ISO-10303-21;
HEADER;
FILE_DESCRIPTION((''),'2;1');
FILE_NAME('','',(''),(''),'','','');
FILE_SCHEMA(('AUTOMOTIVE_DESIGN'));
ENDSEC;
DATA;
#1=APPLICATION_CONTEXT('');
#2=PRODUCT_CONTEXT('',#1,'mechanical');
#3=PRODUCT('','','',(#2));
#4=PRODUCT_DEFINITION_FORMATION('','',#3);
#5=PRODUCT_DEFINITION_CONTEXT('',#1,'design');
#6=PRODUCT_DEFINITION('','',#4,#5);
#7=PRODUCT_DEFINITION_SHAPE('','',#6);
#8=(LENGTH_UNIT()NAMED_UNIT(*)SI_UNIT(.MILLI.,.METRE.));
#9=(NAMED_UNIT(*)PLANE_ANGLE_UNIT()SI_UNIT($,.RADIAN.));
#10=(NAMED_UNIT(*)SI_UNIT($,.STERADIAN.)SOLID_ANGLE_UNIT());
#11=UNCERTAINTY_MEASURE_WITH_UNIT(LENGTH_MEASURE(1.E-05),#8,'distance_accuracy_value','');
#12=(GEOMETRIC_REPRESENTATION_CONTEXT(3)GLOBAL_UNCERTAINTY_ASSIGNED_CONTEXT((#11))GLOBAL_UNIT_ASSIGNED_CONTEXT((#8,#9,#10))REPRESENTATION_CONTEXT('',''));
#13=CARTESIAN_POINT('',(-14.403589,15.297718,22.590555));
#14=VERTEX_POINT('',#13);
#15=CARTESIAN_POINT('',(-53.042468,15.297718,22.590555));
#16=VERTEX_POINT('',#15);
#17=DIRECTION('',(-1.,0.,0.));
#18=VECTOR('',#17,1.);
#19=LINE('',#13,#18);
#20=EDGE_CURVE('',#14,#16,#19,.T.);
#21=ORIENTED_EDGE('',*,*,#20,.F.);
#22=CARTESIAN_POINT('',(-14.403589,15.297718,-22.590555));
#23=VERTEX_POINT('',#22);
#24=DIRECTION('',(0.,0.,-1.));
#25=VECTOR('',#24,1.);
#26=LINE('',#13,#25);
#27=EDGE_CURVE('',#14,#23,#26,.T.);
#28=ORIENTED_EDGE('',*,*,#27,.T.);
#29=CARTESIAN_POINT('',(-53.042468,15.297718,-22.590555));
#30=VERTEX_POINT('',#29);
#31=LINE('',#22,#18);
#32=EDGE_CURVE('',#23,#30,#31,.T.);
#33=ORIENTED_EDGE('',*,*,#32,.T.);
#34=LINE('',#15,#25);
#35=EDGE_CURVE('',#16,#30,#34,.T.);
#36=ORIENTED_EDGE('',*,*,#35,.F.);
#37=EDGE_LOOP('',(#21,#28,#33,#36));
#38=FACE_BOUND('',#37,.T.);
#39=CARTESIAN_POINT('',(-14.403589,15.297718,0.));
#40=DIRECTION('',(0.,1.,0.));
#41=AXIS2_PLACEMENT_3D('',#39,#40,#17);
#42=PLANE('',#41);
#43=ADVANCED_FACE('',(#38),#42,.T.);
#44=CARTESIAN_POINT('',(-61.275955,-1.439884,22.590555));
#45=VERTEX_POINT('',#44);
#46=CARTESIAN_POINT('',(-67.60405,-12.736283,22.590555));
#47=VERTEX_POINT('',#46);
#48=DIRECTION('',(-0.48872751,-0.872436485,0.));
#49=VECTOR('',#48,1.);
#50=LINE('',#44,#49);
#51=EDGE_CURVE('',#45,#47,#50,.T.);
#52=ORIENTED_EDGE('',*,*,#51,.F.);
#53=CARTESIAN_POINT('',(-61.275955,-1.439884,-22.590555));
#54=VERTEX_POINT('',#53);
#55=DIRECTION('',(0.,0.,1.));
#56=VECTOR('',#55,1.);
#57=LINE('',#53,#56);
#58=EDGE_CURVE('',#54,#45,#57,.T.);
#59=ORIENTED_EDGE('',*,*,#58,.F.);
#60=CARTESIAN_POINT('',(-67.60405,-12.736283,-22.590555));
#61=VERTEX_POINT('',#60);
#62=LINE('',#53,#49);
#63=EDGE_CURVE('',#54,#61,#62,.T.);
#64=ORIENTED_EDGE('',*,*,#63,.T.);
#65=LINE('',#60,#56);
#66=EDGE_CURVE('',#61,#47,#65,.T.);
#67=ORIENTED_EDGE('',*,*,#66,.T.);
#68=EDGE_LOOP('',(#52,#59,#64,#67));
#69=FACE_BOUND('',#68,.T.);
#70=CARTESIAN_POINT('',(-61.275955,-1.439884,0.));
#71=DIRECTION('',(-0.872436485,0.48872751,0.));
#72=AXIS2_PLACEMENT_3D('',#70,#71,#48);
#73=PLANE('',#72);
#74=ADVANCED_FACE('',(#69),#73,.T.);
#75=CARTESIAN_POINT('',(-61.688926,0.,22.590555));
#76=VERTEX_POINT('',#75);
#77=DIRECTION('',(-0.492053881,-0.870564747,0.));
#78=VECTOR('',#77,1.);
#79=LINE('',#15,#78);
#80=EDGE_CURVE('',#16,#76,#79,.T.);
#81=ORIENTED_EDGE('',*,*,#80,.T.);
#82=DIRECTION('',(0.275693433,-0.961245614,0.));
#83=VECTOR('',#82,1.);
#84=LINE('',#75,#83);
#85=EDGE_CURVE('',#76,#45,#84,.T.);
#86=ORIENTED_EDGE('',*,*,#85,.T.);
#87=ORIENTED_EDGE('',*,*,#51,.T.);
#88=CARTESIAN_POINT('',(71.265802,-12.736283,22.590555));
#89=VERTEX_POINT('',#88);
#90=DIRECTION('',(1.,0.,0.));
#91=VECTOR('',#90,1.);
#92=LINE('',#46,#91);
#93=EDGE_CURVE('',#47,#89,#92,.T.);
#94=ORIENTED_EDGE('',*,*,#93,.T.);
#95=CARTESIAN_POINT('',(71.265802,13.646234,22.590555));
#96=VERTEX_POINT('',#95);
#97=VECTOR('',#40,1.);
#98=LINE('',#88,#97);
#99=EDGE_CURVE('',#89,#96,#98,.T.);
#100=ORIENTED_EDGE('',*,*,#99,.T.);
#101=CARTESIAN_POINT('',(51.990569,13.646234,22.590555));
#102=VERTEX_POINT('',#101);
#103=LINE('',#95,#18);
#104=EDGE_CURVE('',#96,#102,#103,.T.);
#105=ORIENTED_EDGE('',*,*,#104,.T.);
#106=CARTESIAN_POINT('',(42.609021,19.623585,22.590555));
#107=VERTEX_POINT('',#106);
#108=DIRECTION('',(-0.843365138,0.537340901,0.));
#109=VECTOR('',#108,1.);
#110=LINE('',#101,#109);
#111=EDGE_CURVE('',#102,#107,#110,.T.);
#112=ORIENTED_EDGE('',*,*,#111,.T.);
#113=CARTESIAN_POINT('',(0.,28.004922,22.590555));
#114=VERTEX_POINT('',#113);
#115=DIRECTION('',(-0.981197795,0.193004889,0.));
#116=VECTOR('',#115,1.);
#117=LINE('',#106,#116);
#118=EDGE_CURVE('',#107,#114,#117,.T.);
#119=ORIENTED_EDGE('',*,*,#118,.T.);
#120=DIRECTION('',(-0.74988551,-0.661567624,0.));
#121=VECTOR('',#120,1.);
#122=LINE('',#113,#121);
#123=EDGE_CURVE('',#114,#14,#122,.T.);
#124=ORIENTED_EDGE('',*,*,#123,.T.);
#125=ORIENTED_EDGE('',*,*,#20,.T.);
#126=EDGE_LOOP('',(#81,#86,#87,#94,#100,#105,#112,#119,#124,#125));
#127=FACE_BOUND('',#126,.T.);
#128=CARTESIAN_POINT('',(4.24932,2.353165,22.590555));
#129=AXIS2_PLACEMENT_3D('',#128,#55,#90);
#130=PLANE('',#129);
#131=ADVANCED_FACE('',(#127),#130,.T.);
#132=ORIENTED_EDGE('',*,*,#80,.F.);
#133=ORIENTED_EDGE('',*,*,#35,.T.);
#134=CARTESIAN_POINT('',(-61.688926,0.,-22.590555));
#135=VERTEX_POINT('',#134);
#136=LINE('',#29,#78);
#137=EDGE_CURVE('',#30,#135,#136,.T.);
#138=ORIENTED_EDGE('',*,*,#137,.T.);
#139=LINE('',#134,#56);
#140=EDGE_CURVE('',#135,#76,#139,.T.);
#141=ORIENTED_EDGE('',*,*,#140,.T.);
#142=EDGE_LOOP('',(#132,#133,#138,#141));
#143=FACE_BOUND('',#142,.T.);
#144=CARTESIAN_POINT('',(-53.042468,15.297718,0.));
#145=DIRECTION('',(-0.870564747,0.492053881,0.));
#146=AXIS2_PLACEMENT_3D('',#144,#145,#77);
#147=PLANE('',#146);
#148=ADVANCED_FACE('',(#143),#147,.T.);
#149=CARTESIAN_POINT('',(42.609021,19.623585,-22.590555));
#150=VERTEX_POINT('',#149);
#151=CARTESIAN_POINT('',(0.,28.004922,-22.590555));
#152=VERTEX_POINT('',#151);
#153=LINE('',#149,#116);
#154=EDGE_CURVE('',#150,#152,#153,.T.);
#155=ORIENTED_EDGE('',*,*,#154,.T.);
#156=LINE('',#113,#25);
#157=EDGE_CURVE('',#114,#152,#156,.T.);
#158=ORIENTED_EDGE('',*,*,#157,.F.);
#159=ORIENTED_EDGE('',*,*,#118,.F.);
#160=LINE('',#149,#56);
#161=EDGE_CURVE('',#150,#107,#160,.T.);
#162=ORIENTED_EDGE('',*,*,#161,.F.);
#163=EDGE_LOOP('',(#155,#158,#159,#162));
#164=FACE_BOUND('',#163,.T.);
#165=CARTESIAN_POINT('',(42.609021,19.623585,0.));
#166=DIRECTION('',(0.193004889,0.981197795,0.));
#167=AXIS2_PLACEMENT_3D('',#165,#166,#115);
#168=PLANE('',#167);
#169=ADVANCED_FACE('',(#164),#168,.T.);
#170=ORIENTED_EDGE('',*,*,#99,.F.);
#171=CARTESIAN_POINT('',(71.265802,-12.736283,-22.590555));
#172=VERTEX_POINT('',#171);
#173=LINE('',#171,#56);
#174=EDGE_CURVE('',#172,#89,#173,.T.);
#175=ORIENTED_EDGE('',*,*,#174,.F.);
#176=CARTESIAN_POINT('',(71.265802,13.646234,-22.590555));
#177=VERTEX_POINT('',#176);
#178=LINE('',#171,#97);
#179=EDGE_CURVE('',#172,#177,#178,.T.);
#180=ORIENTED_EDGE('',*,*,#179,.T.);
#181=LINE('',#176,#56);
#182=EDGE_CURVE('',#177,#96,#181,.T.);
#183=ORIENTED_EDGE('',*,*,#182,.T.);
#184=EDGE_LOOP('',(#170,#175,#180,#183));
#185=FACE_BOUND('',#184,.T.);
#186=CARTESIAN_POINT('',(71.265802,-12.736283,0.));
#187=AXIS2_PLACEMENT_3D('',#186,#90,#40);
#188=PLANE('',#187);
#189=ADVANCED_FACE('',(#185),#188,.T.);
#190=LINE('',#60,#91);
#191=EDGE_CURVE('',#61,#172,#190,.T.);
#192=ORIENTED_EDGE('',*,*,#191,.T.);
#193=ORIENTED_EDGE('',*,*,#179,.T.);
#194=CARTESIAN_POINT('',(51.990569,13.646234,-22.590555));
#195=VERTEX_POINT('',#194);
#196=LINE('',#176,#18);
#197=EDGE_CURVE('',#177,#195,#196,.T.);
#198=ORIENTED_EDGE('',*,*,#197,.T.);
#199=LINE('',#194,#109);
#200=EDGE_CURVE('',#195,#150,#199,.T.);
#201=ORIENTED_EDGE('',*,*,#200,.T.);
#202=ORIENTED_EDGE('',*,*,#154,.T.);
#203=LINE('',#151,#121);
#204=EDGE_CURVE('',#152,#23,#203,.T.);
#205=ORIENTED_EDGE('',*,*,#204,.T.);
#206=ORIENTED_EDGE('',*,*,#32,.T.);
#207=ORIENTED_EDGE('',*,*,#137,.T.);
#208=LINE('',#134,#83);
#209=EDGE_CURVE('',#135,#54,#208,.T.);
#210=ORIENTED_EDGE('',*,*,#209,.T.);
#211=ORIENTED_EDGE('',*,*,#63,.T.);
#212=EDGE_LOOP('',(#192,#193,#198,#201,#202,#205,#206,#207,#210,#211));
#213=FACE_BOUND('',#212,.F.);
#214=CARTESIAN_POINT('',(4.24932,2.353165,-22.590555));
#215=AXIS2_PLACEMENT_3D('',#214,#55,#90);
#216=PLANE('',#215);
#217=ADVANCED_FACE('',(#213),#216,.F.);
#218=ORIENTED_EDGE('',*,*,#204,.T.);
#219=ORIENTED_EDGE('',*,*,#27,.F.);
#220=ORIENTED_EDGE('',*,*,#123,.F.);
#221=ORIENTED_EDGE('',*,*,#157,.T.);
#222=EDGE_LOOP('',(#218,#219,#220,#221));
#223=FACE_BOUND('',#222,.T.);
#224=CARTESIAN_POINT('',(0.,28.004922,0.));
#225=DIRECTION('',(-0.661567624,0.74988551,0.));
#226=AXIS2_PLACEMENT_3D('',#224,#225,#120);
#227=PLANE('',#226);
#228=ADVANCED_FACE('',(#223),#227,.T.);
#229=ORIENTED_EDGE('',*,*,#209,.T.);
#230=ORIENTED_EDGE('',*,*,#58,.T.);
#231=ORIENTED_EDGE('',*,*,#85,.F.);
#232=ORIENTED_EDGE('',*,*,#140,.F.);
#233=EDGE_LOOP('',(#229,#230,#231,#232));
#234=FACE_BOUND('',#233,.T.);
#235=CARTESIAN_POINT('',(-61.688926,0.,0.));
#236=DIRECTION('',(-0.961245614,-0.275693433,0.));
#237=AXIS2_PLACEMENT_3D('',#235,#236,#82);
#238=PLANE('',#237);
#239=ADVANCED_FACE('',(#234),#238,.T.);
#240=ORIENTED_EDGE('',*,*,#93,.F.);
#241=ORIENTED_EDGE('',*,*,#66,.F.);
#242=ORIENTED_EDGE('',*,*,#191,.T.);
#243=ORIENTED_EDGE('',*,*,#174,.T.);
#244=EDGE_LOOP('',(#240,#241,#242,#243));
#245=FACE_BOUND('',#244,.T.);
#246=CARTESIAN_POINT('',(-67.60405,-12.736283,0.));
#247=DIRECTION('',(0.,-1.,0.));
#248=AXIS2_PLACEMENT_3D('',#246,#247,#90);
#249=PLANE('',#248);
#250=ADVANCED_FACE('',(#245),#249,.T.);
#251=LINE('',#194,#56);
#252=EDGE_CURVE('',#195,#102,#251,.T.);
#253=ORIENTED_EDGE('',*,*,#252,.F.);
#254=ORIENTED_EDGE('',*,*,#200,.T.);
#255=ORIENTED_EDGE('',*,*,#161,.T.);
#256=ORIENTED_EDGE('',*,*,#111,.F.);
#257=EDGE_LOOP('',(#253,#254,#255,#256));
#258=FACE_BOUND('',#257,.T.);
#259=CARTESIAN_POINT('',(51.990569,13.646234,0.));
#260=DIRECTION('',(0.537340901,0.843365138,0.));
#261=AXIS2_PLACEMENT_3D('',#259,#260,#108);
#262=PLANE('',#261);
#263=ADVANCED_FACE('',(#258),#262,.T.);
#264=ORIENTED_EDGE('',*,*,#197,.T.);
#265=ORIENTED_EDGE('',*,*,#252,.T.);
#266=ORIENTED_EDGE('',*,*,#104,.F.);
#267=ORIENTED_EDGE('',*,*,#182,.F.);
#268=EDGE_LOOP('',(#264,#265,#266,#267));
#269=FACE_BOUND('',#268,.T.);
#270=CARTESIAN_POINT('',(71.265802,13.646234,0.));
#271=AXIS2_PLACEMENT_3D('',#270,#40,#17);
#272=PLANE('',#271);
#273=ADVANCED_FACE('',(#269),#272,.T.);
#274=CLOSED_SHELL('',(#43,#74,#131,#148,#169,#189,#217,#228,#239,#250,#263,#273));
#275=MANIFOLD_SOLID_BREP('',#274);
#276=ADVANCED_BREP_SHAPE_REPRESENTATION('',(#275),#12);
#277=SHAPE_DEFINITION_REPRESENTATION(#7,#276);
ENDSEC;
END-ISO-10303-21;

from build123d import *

# Parameters (mm, degrees)
F1_DEPTH = 22.590555


with BuildPart() as f1:
    # F0 (on Top) → F1 (new body, symmetric)
    with BuildSketch(Plane.XY):
        Polygon((-53.042468, 15.297718), (-61.688926, 0), (-61.275955, -1.439884), (-67.60405, -12.736283), (-49.14939, -12.736283), (71.265802, -12.736283), (71.265802, 13.646234), (51.990569, 13.646234), (42.609021, 19.623585), (0, 28.004922), (-14.403589, 15.297718), align=None)
    extrude(amount=F1_DEPTH, both=True)


solid = f1.part
